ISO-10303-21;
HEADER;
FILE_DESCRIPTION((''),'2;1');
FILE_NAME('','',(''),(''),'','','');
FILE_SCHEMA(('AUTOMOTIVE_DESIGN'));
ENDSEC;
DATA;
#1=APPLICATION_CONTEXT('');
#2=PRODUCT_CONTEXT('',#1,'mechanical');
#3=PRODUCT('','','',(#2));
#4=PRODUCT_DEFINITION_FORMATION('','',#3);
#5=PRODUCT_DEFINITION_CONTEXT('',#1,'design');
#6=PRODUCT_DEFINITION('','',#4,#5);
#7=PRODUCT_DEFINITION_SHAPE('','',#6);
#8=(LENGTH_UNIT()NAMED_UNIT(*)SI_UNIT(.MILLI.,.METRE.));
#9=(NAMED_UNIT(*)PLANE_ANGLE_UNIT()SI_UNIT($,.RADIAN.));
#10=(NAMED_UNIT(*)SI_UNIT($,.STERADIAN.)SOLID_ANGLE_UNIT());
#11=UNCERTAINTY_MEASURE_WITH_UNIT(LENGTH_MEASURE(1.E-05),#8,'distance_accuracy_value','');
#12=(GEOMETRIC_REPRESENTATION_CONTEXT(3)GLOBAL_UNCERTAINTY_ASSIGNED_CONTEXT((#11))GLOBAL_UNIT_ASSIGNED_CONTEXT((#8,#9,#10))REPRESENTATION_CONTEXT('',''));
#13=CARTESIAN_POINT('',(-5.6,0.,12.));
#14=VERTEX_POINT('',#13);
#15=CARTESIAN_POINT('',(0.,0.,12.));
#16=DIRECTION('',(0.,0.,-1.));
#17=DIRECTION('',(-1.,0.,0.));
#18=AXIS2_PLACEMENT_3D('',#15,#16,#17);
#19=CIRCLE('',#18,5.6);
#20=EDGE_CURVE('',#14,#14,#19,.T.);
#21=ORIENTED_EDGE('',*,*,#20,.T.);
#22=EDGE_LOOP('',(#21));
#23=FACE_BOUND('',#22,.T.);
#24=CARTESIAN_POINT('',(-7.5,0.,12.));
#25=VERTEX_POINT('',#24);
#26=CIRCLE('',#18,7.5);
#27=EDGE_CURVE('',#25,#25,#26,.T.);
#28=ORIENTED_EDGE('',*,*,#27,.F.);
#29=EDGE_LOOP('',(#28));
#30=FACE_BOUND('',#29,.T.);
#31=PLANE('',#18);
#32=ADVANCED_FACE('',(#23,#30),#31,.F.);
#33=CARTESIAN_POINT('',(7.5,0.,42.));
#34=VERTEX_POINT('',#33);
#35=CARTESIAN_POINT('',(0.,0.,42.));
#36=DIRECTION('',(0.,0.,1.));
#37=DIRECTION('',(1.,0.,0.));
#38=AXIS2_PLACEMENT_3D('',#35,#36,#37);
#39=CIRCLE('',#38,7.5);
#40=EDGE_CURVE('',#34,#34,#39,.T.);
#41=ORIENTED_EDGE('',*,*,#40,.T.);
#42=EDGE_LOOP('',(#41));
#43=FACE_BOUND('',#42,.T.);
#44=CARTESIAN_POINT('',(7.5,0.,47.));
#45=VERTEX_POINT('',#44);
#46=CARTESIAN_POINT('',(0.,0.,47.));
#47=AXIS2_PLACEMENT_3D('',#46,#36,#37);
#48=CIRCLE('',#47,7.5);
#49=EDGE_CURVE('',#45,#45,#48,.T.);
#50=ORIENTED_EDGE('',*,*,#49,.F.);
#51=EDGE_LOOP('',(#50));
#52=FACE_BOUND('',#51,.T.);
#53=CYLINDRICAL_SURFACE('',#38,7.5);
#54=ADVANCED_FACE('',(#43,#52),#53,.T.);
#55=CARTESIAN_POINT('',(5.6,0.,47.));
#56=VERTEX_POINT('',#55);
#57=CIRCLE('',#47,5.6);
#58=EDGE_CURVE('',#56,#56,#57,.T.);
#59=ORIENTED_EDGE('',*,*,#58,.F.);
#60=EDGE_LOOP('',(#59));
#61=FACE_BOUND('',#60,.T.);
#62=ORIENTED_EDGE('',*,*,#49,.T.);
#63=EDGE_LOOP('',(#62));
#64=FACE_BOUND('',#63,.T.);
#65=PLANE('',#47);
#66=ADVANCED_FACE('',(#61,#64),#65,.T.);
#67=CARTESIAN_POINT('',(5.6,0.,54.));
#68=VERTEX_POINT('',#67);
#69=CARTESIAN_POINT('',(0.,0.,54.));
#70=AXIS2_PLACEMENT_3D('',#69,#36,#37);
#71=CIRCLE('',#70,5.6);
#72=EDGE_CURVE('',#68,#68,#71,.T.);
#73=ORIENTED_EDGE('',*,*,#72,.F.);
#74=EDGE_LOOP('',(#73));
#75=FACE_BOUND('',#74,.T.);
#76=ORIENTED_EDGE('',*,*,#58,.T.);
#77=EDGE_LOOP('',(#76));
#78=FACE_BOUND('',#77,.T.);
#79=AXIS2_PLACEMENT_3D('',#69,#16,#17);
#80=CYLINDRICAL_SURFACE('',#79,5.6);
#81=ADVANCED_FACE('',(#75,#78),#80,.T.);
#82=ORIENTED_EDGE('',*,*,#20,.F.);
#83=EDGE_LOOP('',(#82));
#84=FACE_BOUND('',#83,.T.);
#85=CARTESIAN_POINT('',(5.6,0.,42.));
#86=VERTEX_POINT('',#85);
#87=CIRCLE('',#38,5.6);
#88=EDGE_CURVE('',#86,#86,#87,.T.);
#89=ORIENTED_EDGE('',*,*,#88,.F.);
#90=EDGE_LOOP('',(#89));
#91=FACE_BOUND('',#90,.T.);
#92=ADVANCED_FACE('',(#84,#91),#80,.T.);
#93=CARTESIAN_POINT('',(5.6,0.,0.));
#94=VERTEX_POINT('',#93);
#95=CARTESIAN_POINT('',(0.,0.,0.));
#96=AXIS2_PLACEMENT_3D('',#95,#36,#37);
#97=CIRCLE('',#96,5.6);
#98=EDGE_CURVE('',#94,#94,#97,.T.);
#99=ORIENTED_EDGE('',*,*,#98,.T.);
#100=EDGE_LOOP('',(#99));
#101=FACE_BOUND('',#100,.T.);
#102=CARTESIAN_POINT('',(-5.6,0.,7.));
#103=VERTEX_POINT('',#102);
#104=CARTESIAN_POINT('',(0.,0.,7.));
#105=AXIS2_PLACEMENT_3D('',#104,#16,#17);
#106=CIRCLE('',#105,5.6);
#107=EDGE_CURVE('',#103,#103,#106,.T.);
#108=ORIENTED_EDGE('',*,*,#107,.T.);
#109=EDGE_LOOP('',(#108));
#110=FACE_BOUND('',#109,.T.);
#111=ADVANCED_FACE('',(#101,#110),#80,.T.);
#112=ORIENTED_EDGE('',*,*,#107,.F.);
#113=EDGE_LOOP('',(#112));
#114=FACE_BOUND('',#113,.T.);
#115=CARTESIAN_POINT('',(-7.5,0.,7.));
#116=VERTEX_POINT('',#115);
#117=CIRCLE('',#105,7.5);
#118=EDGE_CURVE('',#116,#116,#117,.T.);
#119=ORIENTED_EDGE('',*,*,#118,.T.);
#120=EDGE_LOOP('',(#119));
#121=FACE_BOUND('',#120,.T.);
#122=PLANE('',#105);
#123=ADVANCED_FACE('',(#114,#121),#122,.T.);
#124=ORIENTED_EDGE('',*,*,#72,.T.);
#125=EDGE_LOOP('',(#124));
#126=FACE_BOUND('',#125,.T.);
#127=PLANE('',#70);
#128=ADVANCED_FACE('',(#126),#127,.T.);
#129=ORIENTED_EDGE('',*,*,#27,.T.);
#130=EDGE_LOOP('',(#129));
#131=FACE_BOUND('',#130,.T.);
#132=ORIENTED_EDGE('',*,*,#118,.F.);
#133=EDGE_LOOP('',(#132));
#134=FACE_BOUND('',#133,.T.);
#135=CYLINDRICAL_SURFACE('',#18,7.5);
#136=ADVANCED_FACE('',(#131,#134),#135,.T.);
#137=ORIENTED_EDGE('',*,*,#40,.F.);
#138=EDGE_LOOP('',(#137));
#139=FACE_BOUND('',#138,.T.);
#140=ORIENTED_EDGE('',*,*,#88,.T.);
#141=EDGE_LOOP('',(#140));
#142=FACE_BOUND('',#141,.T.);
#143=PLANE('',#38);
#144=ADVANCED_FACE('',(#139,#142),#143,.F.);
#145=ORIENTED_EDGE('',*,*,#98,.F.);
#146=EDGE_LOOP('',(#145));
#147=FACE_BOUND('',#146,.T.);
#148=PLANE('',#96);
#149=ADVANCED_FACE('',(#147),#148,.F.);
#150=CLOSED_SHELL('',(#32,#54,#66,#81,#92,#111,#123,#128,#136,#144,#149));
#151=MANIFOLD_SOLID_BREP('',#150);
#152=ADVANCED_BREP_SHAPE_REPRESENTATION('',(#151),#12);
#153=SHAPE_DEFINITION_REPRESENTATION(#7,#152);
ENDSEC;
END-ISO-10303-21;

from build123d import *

# Parameters (mm, degrees)
CROQUIS1_R              = 5.6
SALIENTE_EXTRUIR1_DEPTH = 54
CROQUIS2_R              = 7.5
SALIENTE_EXTRUIR2_DEPTH = 5
CROQUIS3_R              = 7.5
SALIENTE_EXTRUIR3_DEPTH = 5


with BuildPart() as part:
    # Croquis1 → Saliente-Extruir1 (new body)
    with BuildSketch(Plane.XY):
        Circle(CROQUIS1_R)
    extrude(amount=SALIENTE_EXTRUIR1_DEPTH)

    # Croquis2 → Saliente-Extruir2 (add)
    with BuildSketch(Plane.XY.offset(47)):
        Circle(CROQUIS2_R)
    extrude(amount=-SALIENTE_EXTRUIR2_DEPTH)

    # Croquis3 → Saliente-Extruir3 (add)
    with BuildSketch(Plane(origin=(0, 0, 7), x_dir=(-1, 0, 0), z_dir=(0, 0, -1))):
        Circle(CROQUIS3_R)
    extrude(amount=-SALIENTE_EXTRUIR3_DEPTH)


solid = part.part
